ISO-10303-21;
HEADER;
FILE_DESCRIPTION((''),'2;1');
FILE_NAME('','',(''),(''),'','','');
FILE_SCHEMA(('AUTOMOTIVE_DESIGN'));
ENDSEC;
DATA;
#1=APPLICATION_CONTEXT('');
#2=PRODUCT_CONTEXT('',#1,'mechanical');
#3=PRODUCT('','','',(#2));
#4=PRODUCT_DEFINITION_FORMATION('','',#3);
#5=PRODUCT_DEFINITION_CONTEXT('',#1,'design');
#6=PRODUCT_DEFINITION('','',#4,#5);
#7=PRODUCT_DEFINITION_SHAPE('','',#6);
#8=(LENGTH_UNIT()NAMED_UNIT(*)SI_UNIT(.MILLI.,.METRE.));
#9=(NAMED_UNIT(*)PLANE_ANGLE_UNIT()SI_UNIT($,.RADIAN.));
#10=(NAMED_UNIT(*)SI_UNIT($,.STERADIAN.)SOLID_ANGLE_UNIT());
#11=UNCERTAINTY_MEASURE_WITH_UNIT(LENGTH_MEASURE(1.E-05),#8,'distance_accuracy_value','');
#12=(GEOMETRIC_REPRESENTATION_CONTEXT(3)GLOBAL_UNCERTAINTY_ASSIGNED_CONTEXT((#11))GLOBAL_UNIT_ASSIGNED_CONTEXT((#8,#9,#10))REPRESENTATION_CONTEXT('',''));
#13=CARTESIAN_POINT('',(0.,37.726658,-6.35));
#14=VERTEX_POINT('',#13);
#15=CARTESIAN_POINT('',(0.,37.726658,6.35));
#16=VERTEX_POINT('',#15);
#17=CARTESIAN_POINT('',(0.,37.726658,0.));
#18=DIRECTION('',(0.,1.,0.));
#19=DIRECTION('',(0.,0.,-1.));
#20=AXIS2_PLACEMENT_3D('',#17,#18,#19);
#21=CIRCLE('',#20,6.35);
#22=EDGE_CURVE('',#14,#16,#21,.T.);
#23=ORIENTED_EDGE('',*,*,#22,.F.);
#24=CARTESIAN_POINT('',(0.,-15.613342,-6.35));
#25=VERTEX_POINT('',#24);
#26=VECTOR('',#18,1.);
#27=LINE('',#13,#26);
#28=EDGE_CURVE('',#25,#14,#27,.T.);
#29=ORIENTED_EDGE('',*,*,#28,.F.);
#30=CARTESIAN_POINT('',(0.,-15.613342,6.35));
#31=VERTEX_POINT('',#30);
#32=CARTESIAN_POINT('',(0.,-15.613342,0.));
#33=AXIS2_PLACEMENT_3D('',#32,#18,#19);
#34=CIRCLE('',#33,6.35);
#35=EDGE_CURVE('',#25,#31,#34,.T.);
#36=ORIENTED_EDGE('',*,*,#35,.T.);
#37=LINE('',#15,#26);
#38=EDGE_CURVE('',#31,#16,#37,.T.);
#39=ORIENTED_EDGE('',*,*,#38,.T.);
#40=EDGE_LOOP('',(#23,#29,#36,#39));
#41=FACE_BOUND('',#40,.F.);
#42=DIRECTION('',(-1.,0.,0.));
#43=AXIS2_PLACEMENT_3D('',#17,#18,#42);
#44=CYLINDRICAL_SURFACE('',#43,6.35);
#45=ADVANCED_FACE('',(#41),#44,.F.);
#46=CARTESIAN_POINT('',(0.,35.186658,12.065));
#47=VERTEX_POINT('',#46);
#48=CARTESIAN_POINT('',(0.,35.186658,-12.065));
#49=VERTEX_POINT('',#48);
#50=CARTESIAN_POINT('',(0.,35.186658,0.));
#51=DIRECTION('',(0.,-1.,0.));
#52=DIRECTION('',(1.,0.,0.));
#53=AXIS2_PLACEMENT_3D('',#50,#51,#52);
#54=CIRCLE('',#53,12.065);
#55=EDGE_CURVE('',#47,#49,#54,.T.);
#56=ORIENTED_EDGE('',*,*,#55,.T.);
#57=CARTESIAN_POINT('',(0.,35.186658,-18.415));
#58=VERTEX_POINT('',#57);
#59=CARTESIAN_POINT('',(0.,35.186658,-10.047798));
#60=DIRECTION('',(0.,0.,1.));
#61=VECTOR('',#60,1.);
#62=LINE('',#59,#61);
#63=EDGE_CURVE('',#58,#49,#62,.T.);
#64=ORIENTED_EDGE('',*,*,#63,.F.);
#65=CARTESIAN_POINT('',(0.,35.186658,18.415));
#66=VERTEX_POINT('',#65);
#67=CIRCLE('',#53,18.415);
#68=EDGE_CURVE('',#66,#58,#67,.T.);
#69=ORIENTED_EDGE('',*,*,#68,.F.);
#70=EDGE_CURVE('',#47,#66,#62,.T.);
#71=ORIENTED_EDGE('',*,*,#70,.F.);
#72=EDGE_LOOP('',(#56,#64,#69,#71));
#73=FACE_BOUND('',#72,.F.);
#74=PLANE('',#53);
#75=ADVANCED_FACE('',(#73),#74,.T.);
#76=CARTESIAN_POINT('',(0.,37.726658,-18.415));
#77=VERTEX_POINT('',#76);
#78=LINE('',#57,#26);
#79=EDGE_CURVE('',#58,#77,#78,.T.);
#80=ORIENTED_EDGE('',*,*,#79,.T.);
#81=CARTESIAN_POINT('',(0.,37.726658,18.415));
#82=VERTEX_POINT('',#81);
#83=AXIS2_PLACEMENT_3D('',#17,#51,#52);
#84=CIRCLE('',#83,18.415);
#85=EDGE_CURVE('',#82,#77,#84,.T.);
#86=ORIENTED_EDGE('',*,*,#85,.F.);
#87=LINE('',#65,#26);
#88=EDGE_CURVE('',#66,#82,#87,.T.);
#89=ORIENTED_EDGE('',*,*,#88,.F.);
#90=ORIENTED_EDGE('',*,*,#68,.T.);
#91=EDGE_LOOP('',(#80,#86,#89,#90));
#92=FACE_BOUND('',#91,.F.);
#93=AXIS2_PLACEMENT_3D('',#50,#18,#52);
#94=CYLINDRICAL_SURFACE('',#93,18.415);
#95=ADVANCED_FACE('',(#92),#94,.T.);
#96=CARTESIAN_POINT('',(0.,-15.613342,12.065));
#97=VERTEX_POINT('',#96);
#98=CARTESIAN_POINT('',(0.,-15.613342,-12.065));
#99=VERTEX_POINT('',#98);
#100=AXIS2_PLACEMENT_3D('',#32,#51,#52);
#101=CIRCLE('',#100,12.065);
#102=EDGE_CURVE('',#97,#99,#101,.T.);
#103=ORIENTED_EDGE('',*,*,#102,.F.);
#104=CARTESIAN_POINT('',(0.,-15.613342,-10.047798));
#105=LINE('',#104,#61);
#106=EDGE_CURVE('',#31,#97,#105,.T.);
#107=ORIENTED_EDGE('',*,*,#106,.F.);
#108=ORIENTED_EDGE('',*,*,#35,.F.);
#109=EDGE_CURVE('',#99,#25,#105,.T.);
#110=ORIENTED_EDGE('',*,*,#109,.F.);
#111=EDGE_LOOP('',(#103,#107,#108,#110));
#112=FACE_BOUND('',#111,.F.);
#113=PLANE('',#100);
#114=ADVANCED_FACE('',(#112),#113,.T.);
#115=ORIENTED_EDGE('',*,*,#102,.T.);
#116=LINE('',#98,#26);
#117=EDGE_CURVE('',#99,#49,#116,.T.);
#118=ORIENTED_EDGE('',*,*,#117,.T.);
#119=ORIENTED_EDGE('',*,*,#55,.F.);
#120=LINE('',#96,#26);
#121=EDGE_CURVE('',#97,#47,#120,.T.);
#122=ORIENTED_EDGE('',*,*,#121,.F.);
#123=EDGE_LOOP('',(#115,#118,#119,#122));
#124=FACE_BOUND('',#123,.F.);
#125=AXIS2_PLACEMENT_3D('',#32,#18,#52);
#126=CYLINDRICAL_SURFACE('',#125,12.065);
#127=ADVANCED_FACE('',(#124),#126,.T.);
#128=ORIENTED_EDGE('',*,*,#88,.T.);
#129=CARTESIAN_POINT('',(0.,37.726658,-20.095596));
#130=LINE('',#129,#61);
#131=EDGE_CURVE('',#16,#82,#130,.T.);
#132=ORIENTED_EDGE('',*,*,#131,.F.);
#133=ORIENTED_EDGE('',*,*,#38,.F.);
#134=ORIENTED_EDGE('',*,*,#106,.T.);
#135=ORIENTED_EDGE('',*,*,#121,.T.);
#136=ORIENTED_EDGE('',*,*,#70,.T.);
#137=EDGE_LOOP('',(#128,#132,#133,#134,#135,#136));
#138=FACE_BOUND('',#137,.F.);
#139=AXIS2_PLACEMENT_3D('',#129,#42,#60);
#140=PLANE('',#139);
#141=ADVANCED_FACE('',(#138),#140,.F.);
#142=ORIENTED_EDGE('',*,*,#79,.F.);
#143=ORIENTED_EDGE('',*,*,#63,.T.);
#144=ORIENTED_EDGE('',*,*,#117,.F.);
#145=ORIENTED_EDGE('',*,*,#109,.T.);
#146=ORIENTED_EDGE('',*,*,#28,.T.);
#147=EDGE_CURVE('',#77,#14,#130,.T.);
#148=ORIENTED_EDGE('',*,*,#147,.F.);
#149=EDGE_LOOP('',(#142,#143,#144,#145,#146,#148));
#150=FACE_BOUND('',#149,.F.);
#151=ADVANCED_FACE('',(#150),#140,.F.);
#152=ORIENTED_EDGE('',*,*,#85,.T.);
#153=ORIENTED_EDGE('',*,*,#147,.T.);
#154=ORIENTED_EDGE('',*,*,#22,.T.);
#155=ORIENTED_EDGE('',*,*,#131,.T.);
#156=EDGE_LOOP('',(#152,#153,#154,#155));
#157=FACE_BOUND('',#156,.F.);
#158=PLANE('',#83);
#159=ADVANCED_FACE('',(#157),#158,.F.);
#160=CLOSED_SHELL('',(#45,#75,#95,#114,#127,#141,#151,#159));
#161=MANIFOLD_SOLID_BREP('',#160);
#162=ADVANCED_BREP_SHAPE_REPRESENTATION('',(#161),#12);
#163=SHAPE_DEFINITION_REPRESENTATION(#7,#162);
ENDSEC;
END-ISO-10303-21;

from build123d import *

# Parameters (mm, degrees)
F2_R     = 6.35
F3_DEPTH = 101.6
F5_DEPTH = 127


with BuildPart() as f1:
    # F0 (on Top) → F1 (revolve)
    with BuildSketch(Plane.XY):
        Polygon((0, 37.726658), (0, -15.613342), (12.065, -15.613342), (12.065, 35.186658), (18.415, 35.186658), (18.415, 37.726658), align=None)
    revolve(axis=Axis((0, 11.056658, 0), (0, -1, 0)))

    # F2 (on face) → F3 (cut)
    with BuildSketch(Plane(origin=(0, 37.726658, 0), x_dir=(-1, 0, 0), z_dir=(0, 1, 0))):
        Circle(F2_R)
    extrude(amount=-F3_DEPTH, mode=Mode.SUBTRACT)

    # F4 (on face) → F5 (cut)
    with BuildSketch(Plane(origin=(0, 37.726658, 0), x_dir=(-1, 0, 0), z_dir=(0, 1, 0))):
        Polygon((0, 18.415), (0, 18.85934), (0, 32.270402), (-18.049083, 25.601261), (-23.923116, -16.779846), (0, -20.095596), align=None)
    extrude(amount=-F5_DEPTH, mode=Mode.SUBTRACT)


solid = f1.part
